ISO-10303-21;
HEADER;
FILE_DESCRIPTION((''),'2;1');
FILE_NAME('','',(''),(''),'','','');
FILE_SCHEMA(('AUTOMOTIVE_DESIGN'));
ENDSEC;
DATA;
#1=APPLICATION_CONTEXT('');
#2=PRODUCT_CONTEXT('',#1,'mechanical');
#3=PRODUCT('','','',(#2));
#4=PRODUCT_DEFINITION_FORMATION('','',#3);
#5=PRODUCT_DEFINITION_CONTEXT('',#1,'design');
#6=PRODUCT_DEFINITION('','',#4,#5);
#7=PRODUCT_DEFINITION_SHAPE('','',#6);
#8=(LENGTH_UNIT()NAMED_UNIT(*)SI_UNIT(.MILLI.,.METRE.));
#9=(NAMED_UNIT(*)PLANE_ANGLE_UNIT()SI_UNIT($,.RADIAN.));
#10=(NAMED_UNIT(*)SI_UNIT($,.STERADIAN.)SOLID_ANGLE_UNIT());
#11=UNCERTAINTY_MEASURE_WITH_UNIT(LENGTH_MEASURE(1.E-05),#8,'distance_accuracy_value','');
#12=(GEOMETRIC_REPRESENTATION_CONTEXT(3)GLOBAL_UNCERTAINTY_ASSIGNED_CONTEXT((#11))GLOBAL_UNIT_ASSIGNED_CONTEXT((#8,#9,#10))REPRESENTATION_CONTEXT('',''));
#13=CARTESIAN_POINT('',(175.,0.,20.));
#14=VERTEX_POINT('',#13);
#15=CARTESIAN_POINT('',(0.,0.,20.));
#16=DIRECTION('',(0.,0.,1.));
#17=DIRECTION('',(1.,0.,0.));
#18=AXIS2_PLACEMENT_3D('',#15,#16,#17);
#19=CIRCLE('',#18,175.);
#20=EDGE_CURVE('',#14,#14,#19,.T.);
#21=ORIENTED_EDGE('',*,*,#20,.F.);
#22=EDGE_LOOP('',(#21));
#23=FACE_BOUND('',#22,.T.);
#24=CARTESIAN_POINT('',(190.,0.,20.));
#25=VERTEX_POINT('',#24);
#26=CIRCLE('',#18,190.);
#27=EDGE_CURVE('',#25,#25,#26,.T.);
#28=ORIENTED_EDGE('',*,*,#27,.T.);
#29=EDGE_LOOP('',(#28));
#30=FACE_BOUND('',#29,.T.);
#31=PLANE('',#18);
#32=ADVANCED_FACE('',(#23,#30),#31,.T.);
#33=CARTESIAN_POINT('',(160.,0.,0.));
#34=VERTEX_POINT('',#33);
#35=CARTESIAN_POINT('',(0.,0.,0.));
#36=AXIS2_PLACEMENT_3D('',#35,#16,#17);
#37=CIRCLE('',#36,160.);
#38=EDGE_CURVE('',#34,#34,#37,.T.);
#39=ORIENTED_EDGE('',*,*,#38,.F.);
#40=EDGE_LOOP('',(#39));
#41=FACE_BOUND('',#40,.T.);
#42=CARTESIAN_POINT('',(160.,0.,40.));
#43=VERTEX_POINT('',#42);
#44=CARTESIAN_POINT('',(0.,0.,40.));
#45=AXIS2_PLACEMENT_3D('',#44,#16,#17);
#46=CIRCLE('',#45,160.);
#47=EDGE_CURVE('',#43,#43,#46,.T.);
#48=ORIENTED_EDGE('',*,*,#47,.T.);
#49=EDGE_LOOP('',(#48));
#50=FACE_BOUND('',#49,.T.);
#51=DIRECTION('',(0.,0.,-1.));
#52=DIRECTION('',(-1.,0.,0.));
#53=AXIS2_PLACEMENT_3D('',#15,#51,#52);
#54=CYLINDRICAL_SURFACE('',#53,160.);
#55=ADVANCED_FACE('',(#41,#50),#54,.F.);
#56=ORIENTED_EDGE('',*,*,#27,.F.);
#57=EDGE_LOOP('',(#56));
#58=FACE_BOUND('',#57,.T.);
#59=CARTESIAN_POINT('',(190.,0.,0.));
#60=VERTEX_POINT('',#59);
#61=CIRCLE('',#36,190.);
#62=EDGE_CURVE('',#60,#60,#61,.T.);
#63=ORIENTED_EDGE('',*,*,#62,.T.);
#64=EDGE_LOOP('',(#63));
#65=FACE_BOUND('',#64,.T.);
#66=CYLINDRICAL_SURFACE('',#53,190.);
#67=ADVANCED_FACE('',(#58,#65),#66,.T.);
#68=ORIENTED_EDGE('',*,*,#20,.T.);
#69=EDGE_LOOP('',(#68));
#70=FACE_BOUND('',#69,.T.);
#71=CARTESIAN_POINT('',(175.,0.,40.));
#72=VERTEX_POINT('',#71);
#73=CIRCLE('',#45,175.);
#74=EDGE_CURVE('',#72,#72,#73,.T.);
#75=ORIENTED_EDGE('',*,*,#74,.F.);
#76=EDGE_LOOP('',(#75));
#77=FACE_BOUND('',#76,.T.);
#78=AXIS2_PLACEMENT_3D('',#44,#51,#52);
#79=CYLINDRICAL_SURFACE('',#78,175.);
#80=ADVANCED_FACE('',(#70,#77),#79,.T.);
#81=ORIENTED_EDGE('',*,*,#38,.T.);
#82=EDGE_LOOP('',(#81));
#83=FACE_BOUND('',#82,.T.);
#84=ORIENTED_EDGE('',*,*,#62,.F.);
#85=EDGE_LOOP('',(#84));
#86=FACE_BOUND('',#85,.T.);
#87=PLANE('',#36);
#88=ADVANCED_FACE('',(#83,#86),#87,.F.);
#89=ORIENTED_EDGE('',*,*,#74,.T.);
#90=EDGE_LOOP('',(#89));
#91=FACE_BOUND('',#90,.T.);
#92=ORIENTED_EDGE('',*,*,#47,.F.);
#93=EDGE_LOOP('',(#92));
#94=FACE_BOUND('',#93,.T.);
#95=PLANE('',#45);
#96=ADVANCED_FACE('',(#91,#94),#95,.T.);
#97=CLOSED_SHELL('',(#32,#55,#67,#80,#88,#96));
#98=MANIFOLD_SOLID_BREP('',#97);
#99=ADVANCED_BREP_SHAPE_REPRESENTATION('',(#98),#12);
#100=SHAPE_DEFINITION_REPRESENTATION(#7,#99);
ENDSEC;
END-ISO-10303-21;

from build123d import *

# Parameters (mm, degrees)
SKETCH1_R           = 190
SKETCH1_R_2         = 160
BOSS_EXTRUDE1_DEPTH = 20
SKETCH2_R           = 175
SKETCH2_R_2         = 160
BOSS_EXTRUDE2_DEPTH = 20


with BuildPart() as part:
    # Sketch1 → Boss-Extrude1 (new body)
    with BuildSketch(Plane.XY):
        Circle(SKETCH1_R)
        Circle(SKETCH1_R_2, mode=Mode.SUBTRACT)
    extrude(amount=BOSS_EXTRUDE1_DEPTH)

    # Sketch2 → Boss-Extrude2 (add)
    with BuildSketch(Plane.XY.offset(20)):
        Circle(SKETCH2_R)
        Circle(SKETCH2_R_2, mode=Mode.SUBTRACT)
    extrude(amount=BOSS_EXTRUDE2_DEPTH)


solid = part.part
